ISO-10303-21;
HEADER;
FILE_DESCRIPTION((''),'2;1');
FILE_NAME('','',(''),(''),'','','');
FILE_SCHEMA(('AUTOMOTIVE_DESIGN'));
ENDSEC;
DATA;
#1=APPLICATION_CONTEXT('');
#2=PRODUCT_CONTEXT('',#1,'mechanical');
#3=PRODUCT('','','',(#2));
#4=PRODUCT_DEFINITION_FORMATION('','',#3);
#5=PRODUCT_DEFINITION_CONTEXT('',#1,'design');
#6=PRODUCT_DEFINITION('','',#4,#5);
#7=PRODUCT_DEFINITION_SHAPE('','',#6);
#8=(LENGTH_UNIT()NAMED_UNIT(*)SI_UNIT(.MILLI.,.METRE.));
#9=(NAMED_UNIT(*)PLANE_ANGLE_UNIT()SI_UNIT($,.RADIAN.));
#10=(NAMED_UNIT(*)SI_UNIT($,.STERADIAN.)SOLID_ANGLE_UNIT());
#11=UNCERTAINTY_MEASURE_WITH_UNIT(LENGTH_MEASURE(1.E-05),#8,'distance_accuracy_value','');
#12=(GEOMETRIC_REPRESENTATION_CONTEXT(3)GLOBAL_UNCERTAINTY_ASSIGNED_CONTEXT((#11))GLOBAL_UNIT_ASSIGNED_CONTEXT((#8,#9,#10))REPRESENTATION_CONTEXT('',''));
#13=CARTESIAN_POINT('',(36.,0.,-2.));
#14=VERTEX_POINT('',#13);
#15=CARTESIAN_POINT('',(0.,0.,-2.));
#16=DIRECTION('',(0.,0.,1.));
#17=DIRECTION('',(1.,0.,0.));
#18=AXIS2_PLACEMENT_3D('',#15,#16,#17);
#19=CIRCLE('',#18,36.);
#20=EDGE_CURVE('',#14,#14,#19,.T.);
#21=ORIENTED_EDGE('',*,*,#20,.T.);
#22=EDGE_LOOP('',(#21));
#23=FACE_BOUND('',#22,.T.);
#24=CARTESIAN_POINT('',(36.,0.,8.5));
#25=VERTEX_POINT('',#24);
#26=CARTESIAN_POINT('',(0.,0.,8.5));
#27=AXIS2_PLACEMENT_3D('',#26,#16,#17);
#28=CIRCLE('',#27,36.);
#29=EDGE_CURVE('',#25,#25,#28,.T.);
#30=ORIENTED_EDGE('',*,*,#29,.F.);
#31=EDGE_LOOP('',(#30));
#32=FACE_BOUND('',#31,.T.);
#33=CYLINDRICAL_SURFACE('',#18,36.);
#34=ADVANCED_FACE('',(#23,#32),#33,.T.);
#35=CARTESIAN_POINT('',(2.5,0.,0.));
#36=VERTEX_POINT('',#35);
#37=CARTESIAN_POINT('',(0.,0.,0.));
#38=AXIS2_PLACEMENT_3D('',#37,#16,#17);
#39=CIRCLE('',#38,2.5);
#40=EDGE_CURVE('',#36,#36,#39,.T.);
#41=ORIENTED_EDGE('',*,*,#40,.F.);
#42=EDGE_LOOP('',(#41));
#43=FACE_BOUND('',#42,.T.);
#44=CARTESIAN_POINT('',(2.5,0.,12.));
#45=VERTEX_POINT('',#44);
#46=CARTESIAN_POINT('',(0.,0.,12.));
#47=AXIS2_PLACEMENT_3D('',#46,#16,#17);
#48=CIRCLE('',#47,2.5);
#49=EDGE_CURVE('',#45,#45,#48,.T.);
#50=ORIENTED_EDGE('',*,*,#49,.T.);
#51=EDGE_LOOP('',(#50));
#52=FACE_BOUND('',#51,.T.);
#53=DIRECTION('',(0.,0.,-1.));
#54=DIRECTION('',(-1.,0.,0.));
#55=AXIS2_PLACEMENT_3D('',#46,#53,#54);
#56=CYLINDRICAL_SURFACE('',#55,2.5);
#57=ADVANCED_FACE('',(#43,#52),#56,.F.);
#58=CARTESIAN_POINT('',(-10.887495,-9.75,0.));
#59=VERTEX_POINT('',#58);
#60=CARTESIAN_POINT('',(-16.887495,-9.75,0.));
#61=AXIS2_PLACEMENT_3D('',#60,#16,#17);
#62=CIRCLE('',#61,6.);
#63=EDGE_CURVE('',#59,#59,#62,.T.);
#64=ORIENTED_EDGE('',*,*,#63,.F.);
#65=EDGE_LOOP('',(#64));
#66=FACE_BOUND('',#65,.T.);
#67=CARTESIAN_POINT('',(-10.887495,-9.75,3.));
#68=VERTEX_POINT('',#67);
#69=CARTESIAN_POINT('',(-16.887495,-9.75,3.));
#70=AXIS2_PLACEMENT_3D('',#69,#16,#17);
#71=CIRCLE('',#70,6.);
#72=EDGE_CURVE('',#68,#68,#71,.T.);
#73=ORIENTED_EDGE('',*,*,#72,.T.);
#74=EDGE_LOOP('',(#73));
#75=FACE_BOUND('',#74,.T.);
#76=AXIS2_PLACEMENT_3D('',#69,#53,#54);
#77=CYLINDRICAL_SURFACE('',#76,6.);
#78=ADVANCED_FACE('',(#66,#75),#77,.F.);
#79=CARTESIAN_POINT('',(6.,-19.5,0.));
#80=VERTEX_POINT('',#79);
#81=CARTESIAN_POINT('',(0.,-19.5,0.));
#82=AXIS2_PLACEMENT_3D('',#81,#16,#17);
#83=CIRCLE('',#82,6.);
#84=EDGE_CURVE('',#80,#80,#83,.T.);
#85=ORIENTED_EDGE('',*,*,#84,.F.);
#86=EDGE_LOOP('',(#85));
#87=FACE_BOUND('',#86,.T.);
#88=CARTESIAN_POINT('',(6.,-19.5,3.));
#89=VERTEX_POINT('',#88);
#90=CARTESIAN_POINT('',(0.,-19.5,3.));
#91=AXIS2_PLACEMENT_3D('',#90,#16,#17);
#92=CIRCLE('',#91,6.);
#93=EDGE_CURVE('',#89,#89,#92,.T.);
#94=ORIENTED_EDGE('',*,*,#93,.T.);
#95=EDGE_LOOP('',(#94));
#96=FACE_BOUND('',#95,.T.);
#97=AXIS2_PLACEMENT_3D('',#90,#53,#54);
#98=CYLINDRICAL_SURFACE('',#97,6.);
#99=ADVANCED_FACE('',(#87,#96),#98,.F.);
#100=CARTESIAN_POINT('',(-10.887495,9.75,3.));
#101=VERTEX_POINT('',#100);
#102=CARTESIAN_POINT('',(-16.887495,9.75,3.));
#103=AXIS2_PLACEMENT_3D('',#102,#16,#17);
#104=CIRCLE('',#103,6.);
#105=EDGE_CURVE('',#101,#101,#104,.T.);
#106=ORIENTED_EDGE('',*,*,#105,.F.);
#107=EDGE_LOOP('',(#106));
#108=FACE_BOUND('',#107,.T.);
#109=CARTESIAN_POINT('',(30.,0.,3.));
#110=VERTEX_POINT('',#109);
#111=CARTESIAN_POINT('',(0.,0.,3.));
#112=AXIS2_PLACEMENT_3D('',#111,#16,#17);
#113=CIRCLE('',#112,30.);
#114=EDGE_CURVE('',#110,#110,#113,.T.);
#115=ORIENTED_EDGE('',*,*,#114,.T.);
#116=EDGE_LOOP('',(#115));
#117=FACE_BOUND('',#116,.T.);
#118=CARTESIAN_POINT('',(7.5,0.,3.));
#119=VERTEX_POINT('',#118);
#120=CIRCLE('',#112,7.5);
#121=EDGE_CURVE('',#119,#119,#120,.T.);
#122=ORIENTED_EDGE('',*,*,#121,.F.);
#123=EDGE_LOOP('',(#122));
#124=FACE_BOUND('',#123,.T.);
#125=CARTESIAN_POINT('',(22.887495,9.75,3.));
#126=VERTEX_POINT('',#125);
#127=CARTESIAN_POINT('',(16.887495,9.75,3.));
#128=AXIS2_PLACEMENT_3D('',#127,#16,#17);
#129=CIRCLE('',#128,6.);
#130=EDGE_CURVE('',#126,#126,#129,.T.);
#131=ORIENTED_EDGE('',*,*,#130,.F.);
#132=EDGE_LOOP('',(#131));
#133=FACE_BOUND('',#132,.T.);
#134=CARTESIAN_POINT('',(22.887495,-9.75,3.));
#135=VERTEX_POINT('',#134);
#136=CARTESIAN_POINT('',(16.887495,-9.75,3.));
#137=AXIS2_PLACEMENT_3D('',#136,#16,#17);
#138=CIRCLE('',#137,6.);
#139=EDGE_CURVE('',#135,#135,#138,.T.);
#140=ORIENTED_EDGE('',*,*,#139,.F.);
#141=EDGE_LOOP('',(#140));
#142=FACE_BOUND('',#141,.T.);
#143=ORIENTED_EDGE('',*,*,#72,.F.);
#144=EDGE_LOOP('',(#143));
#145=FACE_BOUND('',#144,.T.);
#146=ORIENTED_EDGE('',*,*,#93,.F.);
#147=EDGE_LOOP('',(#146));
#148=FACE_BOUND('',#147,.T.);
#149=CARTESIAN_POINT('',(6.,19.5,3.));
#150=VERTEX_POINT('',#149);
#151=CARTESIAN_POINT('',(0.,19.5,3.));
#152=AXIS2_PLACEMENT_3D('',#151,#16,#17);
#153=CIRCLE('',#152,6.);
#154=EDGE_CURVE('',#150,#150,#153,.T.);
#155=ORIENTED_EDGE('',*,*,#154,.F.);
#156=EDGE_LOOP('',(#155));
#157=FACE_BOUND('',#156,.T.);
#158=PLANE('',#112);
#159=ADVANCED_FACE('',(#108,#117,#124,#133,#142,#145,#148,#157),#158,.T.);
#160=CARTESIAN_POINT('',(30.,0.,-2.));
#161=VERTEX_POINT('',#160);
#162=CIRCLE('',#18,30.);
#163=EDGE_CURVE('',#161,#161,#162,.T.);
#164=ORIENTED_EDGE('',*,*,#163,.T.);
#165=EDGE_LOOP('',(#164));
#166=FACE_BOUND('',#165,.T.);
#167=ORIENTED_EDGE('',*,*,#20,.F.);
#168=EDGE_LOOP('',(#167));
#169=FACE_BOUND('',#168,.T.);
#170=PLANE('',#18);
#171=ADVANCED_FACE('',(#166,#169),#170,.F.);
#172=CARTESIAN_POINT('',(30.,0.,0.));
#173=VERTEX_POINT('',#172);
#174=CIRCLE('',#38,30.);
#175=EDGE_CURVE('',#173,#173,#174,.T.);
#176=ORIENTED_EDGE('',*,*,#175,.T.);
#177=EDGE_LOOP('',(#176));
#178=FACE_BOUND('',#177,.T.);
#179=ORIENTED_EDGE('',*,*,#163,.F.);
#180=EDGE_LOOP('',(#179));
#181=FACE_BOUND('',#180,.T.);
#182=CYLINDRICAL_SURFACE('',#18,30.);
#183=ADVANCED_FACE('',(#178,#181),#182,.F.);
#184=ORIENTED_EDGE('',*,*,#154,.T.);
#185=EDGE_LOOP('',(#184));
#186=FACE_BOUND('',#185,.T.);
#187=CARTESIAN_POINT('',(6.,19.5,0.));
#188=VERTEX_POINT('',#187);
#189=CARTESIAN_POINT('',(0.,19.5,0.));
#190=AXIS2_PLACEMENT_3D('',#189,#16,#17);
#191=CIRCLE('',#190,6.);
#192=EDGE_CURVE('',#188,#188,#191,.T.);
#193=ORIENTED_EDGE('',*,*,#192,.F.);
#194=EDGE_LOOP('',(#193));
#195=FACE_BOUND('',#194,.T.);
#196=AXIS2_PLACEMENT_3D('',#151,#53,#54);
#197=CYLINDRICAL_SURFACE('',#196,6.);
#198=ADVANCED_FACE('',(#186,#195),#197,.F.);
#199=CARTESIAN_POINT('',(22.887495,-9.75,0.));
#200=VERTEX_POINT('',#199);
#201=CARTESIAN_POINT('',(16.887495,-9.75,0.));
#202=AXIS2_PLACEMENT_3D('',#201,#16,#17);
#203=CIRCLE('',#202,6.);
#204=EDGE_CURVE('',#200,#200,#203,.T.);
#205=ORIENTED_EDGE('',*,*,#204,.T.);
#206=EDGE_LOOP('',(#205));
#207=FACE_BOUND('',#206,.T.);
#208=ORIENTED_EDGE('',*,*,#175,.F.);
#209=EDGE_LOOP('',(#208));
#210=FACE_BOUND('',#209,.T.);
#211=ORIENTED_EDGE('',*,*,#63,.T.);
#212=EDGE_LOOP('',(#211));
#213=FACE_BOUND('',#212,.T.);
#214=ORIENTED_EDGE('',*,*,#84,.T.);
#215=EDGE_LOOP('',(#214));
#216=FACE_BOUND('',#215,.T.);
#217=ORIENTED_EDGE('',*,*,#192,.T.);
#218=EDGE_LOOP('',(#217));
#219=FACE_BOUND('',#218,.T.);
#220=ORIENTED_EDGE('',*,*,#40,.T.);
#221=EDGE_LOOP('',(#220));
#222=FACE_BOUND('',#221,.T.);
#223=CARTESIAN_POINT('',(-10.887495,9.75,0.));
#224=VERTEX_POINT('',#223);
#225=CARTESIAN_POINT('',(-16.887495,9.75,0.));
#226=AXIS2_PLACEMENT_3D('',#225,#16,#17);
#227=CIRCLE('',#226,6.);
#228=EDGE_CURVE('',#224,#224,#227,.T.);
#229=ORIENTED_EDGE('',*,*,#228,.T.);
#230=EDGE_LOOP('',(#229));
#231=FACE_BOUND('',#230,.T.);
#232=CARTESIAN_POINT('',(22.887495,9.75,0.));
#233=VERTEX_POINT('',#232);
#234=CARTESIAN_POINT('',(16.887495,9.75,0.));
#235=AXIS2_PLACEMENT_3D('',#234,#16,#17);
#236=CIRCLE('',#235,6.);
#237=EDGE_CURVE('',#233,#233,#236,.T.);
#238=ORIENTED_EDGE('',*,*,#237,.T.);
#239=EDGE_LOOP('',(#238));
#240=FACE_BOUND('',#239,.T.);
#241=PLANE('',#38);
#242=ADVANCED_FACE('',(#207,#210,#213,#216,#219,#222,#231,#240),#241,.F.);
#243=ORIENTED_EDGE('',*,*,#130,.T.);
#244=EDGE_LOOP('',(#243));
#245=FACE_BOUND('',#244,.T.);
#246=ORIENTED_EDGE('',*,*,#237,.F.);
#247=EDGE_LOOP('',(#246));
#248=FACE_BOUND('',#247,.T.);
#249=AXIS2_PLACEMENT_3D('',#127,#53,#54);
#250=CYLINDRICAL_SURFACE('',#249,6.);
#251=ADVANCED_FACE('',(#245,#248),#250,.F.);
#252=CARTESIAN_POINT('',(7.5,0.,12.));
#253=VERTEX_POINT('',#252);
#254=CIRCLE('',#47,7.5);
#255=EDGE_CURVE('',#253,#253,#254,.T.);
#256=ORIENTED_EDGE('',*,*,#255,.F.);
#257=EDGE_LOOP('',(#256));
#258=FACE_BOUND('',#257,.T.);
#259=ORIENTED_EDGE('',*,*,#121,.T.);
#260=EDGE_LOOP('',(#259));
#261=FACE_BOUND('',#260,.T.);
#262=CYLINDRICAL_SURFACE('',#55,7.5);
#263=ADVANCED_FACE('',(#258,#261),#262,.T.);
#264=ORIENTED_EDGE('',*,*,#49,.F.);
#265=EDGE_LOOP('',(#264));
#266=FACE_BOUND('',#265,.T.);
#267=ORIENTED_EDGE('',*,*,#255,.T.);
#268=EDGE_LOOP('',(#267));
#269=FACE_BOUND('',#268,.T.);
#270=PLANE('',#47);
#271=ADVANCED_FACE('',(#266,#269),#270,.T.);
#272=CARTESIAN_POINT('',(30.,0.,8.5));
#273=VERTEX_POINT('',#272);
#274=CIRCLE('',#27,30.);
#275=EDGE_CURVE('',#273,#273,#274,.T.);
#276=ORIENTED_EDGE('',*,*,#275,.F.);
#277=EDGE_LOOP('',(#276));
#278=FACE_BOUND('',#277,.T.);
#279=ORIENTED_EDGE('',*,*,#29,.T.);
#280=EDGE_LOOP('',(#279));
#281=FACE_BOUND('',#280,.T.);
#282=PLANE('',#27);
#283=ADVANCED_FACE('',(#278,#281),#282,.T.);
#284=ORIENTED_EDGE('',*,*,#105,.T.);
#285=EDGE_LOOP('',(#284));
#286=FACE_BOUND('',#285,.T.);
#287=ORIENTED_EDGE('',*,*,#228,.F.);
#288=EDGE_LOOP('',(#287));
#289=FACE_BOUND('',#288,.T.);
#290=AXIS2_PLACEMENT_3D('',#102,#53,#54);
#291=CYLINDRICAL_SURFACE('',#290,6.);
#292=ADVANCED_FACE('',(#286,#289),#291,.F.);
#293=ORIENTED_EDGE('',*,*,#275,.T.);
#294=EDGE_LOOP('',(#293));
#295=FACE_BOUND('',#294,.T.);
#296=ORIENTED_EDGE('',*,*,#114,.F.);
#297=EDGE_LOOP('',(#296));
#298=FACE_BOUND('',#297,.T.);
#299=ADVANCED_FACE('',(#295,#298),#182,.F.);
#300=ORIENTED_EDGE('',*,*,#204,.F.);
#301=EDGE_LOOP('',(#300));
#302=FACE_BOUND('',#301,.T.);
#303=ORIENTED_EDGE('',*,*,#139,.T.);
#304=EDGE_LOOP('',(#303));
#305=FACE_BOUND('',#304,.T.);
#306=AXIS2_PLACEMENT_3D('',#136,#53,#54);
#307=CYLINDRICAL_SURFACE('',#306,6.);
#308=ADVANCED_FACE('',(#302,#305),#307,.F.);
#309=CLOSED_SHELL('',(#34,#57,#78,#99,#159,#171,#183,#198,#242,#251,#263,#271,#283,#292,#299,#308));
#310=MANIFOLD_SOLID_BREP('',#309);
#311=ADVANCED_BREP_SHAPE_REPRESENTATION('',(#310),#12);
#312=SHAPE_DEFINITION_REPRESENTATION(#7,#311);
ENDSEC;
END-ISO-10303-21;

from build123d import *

# Parameters (mm, degrees)
ESQUISSE1_R             = 7.5
ESQUISSE1_R_2           = 2.5
BOSS_EXTRU_1_DEPTH      = 12
ESQUISSE1_3_R           = 30
ESQUISSE1_3_R_2         = 6
ESQUISSE1_3_R_3         = 7.5
BOSS_EXTRU_2_DEPTH      = 3
BOSS_EXTRU_3_DEPTH      = 8.5
BOSS_EXTRU_3_DEPTH_BACK = 2
ESQUISSE1_4_R           = 36
ESQUISSE1_4_R_2         = 30


with BuildPart() as part:
    # Esquisse1 → Boss.-Extru.1 (new body)
    with BuildSketch(Plane.XY):
        Circle(ESQUISSE1_R)
        Circle(ESQUISSE1_R_2, mode=Mode.SUBTRACT)
    extrude(amount=BOSS_EXTRU_1_DEPTH)

    # Esquisse1<3> → Boss.-Extru.2 (add)
    with BuildSketch(Plane.XY):
        Circle(ESQUISSE1_3_R)
        with Locations((-16.887495374, -9.75)):
            Circle(ESQUISSE1_3_R_2, mode=Mode.SUBTRACT)
        with Locations((0, -19.5)):
            Circle(ESQUISSE1_3_R_2, mode=Mode.SUBTRACT)
        with Locations((16.887495374, -9.75)):
            Circle(ESQUISSE1_3_R_2, mode=Mode.SUBTRACT)
        with Locations((-16.887495374, 9.75)):
            Circle(ESQUISSE1_3_R_2, mode=Mode.SUBTRACT)
        Circle(ESQUISSE1_3_R_3, mode=Mode.SUBTRACT)
        with Locations((16.887495374, 9.75)):
            Circle(ESQUISSE1_3_R_2, mode=Mode.SUBTRACT)
        with Locations((0, 19.5)):
            Circle(ESQUISSE1_3_R_2, mode=Mode.SUBTRACT)
    extrude(amount=BOSS_EXTRU_2_DEPTH)

    # Esquisse1<4> → Boss.-Extru.3 (add, two sides: drawn at the far end of the back side and taken through both)
    with BuildSketch(Plane.XY.offset(-BOSS_EXTRU_3_DEPTH_BACK)):
        Circle(ESQUISSE1_4_R)
        Circle(ESQUISSE1_4_R_2, mode=Mode.SUBTRACT)
    extrude(amount=BOSS_EXTRU_3_DEPTH + BOSS_EXTRU_3_DEPTH_BACK)


solid = part.part
